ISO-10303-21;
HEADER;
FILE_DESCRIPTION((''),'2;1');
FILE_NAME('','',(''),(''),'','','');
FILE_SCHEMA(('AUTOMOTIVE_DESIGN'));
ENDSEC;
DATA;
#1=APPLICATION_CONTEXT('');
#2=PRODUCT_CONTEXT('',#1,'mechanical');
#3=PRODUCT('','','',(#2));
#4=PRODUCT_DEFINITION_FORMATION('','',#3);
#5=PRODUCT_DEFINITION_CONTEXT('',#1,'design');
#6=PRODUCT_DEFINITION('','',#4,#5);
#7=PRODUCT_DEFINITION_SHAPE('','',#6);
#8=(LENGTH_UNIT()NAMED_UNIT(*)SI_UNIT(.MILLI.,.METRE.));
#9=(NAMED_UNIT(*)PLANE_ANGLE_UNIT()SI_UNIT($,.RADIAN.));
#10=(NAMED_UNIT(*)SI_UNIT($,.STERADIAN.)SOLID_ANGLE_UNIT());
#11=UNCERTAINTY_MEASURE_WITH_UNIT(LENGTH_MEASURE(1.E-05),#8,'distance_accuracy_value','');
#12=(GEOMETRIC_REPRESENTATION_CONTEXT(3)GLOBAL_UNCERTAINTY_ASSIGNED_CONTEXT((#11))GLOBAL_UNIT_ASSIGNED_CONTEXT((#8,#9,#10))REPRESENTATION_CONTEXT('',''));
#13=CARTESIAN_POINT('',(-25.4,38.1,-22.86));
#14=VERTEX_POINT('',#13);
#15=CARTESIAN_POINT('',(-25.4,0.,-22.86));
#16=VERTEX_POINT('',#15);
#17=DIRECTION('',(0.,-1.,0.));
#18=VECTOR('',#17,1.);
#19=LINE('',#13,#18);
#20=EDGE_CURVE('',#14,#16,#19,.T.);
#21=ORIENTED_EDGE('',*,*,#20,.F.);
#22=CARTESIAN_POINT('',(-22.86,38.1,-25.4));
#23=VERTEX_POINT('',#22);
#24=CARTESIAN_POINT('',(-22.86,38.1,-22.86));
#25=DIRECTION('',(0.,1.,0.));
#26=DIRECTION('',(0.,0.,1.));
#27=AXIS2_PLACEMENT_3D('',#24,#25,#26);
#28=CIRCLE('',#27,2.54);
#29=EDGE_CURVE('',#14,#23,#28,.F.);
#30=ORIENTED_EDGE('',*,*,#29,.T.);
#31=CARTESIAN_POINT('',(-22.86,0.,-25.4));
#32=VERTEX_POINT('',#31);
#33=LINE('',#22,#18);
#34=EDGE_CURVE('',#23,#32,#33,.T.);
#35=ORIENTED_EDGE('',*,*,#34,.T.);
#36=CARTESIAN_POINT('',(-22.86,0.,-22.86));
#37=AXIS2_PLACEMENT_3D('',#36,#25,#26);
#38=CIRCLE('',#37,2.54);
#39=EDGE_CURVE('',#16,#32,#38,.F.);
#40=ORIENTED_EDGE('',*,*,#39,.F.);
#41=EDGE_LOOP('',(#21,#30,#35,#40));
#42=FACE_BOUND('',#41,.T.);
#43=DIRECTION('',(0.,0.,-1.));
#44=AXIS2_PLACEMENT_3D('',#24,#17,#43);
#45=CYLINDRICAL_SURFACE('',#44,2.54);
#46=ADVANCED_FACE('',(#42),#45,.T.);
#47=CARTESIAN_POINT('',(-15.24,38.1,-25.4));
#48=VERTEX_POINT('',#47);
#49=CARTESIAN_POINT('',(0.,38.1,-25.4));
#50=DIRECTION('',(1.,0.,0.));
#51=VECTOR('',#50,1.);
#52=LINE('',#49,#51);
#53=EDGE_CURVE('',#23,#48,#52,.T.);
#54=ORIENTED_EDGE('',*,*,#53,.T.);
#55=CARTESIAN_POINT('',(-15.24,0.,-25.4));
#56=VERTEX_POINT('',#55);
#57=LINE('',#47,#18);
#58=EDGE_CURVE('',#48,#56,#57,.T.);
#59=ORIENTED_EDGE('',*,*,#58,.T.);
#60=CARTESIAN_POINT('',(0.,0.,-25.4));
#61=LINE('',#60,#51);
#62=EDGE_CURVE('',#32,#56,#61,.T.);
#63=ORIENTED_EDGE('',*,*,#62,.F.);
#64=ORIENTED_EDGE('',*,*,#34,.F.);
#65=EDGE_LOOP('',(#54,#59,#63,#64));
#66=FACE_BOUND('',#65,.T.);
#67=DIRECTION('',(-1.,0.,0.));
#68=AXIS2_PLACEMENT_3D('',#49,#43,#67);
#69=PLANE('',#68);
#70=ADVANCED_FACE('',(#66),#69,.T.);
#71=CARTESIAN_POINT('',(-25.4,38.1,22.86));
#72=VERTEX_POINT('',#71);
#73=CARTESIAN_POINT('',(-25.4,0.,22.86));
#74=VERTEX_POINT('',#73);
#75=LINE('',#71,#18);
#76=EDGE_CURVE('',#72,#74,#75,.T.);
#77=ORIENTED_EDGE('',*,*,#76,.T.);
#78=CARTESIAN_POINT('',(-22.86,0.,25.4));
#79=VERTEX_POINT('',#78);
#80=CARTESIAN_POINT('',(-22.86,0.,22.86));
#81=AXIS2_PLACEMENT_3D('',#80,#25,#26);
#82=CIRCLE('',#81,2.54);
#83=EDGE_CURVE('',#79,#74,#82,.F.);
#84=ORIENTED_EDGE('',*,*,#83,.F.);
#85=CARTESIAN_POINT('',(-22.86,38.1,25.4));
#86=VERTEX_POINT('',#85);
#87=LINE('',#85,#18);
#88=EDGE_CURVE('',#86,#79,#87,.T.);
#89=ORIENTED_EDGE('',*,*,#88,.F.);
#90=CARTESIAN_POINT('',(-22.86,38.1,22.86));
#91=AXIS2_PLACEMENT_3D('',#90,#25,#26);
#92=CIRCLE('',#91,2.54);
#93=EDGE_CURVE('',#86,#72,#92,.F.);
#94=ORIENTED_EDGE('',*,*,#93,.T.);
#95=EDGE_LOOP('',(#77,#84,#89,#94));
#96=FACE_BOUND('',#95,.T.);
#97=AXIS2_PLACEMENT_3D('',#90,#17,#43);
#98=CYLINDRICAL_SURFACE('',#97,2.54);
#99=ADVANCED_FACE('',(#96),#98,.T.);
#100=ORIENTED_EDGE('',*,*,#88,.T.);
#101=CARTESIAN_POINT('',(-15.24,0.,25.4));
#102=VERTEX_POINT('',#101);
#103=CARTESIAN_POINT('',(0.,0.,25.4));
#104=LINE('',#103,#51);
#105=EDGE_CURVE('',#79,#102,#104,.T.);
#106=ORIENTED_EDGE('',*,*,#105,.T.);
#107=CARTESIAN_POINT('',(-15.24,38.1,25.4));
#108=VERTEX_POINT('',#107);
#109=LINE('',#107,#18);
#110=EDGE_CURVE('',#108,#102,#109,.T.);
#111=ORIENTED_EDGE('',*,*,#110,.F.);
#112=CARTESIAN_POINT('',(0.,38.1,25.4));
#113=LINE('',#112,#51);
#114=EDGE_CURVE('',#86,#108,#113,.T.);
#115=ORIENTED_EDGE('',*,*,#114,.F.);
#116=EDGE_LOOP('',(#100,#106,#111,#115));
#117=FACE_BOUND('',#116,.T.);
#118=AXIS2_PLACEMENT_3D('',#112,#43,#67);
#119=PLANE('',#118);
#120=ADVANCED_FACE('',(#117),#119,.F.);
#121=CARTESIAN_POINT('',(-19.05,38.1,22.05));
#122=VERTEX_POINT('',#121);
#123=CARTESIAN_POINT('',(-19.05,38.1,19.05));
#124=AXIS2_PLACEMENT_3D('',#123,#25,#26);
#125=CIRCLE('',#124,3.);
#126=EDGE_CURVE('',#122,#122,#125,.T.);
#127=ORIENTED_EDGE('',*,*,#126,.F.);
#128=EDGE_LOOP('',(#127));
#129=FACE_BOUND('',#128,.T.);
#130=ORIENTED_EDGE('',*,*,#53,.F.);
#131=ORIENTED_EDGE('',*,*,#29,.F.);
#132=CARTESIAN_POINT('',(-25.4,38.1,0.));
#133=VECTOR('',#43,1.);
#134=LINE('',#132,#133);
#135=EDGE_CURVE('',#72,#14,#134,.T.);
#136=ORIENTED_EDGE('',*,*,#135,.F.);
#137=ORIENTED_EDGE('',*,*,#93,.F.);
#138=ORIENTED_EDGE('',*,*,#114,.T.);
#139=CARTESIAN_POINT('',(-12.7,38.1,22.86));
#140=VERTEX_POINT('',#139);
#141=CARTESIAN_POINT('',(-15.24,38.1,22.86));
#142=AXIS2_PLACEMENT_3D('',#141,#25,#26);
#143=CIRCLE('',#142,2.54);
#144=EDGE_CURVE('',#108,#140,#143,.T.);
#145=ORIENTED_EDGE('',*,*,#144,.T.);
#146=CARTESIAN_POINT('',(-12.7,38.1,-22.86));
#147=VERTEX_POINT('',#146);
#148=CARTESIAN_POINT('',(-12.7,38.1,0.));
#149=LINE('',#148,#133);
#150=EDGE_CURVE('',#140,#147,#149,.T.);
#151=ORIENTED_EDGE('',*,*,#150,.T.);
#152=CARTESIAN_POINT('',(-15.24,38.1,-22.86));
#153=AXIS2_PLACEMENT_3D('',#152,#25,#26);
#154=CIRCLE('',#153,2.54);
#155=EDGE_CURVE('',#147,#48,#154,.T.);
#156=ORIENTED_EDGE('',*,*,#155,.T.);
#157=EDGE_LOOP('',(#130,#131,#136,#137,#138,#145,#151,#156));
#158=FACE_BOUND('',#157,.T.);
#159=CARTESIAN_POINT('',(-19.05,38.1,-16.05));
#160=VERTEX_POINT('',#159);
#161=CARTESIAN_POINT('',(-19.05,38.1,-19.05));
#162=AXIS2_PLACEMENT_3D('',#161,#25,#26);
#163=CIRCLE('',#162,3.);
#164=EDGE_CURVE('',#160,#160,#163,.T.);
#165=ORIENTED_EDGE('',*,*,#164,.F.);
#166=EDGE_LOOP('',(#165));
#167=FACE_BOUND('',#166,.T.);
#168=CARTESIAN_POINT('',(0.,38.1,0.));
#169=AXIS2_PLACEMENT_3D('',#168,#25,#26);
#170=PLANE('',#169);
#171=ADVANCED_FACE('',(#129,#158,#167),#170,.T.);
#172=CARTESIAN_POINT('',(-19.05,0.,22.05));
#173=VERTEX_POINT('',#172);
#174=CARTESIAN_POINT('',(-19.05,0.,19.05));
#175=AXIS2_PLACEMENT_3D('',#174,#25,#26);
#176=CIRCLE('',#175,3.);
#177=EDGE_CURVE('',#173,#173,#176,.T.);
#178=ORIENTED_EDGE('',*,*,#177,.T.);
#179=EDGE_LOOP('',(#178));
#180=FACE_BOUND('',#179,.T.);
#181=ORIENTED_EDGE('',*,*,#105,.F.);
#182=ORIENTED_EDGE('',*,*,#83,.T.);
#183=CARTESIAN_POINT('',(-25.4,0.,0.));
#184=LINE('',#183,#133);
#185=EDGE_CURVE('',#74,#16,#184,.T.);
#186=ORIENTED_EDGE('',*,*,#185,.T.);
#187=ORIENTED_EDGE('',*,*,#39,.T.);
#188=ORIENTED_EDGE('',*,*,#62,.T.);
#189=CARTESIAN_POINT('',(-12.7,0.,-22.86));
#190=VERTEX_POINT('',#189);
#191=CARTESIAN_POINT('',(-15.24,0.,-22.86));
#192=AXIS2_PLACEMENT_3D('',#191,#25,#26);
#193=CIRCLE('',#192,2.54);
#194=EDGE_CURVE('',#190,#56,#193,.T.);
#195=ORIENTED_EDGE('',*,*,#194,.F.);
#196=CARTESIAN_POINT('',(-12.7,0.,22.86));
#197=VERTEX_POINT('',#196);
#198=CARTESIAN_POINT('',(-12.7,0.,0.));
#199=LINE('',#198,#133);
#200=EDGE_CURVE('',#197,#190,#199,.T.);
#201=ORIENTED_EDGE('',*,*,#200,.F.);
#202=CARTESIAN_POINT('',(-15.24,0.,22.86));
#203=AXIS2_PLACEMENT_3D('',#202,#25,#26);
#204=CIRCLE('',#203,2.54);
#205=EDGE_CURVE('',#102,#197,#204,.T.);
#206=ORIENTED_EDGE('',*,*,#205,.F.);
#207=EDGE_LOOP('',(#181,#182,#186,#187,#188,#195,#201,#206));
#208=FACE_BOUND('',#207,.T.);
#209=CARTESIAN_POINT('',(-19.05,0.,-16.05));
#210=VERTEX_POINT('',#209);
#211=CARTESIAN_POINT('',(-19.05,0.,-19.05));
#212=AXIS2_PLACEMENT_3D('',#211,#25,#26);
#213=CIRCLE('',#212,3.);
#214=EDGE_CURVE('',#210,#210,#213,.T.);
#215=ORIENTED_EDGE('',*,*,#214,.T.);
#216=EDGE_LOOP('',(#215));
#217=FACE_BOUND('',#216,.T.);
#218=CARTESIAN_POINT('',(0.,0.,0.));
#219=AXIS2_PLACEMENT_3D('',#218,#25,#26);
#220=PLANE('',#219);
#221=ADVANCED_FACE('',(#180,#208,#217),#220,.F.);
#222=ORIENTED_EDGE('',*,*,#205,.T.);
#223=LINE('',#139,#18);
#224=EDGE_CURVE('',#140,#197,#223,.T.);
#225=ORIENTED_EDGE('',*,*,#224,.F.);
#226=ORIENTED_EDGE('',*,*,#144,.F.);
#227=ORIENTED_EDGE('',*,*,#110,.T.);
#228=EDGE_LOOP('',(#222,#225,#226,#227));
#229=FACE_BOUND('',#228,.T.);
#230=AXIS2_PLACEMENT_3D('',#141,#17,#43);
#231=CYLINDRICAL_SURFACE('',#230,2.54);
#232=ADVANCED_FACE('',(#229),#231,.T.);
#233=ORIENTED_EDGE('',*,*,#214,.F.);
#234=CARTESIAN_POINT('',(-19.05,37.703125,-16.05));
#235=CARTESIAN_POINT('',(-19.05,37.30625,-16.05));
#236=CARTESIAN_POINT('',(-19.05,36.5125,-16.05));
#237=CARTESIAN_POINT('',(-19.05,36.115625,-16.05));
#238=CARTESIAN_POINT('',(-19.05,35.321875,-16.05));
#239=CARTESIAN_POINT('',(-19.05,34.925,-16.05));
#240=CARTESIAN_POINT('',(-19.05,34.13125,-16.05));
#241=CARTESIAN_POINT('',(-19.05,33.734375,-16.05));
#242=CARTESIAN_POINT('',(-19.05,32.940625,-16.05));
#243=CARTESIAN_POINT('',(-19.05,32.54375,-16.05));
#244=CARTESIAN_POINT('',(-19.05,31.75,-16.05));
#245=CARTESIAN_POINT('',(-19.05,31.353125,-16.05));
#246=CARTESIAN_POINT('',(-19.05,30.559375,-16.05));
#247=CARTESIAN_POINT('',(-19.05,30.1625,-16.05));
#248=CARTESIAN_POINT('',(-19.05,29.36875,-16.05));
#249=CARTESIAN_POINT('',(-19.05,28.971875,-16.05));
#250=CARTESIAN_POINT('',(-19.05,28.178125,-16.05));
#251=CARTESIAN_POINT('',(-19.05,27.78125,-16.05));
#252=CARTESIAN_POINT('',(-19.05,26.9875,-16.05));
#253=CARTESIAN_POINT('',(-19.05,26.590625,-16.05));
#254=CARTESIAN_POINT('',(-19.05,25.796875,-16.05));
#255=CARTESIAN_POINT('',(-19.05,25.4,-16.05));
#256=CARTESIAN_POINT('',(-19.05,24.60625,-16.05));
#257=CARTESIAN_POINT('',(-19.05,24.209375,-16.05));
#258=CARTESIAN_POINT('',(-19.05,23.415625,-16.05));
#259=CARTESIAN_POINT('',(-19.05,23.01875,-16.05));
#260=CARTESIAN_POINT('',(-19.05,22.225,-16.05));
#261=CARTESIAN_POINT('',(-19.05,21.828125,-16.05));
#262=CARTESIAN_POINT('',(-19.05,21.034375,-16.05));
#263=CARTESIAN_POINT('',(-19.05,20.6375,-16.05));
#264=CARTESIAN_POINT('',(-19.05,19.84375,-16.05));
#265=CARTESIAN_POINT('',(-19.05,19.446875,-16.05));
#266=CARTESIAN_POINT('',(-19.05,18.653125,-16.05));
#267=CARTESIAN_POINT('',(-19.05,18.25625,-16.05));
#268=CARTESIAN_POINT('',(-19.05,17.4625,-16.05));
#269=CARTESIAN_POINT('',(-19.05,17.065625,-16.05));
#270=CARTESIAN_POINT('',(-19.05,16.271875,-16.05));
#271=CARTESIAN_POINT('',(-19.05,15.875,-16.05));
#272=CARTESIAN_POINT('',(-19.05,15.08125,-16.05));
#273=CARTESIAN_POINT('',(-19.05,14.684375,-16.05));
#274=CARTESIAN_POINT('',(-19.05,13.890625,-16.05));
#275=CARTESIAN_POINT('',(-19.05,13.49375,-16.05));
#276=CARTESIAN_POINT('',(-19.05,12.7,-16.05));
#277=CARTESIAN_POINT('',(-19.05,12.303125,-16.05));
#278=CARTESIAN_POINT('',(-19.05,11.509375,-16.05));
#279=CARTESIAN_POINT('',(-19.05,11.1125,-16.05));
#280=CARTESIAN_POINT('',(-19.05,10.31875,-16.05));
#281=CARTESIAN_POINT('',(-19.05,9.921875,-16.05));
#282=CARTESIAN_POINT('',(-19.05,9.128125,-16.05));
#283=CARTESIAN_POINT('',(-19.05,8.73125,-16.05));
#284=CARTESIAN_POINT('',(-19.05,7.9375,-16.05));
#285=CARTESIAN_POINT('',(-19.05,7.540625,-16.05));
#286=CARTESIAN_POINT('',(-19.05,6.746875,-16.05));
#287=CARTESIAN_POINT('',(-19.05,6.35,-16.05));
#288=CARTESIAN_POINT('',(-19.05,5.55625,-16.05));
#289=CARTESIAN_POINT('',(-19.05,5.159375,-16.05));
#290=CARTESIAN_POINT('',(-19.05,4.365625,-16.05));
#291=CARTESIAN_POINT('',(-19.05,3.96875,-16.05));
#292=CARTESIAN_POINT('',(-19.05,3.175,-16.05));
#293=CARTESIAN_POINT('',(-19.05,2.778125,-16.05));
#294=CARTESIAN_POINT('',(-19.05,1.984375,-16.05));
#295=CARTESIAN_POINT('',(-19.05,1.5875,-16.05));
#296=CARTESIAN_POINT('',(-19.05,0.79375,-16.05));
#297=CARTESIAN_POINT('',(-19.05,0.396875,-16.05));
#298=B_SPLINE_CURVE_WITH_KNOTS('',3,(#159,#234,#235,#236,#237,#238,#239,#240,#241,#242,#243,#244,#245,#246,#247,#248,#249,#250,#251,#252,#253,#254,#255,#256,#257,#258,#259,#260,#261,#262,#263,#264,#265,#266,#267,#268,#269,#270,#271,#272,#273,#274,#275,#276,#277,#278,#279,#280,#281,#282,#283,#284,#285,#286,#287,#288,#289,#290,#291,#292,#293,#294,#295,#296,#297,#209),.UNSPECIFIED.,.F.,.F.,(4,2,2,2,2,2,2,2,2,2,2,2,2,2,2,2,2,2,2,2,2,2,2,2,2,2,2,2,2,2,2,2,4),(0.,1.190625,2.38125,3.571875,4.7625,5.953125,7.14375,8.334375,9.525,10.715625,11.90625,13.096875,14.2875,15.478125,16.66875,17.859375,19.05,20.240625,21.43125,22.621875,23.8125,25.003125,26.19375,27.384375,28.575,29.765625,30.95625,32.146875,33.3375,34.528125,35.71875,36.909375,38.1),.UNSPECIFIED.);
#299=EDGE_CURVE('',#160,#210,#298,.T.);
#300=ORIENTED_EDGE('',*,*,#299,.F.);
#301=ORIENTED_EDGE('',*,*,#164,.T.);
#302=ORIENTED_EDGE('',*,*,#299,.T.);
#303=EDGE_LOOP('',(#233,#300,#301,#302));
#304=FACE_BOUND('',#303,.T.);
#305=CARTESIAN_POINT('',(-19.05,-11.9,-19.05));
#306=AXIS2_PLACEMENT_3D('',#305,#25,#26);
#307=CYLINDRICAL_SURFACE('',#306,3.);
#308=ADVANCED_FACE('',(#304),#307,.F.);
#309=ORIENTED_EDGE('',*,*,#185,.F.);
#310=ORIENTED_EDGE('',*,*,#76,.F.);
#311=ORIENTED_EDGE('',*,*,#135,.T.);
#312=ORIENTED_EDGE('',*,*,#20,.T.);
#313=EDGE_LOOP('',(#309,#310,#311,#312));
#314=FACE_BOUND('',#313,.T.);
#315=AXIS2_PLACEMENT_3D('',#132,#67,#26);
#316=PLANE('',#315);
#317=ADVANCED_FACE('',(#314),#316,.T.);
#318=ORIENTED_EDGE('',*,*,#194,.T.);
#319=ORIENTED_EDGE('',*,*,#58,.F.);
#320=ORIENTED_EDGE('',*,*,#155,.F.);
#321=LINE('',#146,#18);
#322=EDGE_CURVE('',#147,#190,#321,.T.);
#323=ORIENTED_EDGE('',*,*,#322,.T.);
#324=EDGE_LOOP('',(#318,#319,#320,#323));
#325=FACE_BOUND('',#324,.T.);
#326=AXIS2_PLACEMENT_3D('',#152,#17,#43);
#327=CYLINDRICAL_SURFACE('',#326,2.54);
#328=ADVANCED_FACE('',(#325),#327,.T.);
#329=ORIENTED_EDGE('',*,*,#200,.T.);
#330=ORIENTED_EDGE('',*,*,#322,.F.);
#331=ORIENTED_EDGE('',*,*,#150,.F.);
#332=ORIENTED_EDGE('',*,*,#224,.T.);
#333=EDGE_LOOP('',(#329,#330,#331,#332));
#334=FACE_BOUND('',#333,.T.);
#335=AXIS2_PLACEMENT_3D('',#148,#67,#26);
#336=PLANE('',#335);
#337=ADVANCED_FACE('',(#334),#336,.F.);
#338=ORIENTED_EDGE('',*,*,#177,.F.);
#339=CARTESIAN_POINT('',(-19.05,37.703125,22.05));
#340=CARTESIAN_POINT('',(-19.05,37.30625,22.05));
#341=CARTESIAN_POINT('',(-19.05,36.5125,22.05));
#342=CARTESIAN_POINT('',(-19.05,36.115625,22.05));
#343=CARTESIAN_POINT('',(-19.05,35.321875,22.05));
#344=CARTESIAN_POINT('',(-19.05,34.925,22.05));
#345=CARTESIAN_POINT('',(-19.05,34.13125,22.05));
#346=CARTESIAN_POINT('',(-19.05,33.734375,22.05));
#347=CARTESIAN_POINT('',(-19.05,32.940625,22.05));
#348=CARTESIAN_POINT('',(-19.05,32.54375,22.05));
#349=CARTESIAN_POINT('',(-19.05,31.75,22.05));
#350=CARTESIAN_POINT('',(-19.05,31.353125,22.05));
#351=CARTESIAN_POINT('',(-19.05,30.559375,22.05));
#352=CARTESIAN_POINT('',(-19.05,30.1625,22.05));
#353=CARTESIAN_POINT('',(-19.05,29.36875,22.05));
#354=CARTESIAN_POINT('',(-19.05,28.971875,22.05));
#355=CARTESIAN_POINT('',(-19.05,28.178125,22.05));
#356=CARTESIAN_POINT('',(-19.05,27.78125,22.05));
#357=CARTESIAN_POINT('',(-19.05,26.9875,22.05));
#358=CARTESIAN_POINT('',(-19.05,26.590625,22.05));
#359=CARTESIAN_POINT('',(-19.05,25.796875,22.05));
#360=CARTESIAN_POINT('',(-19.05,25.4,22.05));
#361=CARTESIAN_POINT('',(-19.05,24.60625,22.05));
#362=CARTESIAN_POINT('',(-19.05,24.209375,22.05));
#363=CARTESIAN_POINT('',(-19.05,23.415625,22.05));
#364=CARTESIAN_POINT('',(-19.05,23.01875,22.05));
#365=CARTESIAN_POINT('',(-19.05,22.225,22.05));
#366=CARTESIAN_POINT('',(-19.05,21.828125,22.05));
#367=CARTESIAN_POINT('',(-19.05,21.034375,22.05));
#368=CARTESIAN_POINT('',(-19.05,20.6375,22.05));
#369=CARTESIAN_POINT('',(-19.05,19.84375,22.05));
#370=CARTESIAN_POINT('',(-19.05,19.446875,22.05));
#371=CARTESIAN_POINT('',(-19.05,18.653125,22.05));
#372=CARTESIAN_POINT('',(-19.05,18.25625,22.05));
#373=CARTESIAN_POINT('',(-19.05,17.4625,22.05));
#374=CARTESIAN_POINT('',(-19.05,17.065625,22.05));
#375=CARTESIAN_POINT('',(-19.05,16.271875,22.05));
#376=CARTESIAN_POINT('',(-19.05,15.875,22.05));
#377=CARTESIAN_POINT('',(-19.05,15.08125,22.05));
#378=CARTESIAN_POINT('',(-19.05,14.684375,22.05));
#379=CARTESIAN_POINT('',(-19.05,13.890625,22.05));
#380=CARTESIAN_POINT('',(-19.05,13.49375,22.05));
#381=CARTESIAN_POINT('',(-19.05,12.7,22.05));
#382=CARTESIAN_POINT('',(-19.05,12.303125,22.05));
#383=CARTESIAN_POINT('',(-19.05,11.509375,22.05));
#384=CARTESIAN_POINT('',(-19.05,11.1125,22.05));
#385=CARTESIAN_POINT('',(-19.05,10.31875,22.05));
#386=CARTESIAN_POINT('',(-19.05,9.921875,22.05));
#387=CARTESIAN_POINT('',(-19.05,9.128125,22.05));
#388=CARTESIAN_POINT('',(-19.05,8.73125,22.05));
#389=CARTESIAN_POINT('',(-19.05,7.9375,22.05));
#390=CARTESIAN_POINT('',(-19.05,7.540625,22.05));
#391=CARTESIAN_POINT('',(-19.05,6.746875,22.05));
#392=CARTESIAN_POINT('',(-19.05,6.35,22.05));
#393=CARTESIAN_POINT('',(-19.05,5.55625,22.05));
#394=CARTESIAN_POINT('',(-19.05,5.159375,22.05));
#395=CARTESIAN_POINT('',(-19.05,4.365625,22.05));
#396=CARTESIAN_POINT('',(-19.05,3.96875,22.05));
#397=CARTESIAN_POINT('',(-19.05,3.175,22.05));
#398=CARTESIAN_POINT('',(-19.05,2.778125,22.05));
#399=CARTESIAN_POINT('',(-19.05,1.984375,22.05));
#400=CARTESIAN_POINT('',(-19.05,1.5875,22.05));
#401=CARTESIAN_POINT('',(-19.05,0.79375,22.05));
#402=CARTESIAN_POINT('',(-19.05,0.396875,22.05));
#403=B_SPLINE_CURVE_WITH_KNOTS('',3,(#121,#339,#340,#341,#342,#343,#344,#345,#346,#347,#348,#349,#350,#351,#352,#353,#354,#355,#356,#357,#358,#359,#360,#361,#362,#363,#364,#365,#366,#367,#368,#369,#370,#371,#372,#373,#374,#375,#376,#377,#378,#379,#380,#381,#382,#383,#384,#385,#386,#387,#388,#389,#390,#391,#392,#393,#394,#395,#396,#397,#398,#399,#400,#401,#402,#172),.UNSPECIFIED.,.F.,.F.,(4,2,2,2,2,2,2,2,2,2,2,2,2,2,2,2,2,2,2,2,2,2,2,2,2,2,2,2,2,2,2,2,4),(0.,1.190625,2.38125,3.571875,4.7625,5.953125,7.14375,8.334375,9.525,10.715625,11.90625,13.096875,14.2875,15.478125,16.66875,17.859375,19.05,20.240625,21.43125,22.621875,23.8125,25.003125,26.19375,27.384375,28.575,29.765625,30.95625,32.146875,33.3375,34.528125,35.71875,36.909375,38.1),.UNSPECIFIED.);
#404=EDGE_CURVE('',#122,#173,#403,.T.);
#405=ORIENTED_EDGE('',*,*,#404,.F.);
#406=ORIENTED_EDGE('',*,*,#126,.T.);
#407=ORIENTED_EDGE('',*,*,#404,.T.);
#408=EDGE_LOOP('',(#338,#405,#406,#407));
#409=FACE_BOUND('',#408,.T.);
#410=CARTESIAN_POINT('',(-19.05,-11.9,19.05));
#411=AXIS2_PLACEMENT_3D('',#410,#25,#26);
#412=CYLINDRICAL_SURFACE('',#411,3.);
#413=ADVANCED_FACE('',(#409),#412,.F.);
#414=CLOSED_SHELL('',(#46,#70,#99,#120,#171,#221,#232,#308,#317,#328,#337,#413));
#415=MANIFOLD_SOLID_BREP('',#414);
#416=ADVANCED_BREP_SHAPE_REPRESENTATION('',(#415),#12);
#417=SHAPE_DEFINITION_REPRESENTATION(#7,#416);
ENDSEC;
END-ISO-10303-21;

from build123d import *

# Parameters (mm, degrees)
SKETCH2_R           = 2.05
BOSS_EXTRUDE1_DEPTH = 38.1
SKETCH3_R           = 3
CUT_EXTRUDE1_DEPTH  = 50


with BuildPart() as part:
    # Sketch2 → Boss-Extrude1 (new body)
    with BuildSketch(Plane(origin=(0, 0, 0), x_dir=(1, 0, 0), z_dir=(0, 1, 0))):
        with BuildLine():
            ThreePointArc((-25.4, -22.86), (-24.656051224, -24.656051224), (-22.86, -25.4))
            Line((-22.86, -25.4), (-15.24, -25.4))
            ThreePointArc((-15.24, -25.4), (-13.443948776, -24.656051224), (-12.7, -22.86))
            Line((-12.7, -22.86), (-12.7, 22.86))
            ThreePointArc((-12.7, 22.86), (-13.443948776, 24.656051224), (-15.24, 25.4))
            Line((-15.24, 25.4), (-19.05, 25.4))
            Line((-19.05, 25.4), (-22.86, 25.4))
            ThreePointArc((-22.86, 25.4), (-24.656051224, 24.656051224), (-25.4, 22.86))
            Line((-25.4, 22.86), (-25.4, 19.05))
            Line((-25.4, 19.05), (-25.4, -22.86))
        make_face()
        with Locations(Location((-19.05, -19.05, 0), (0, 0, 90))):
            Circle(SKETCH2_R, mode=Mode.SUBTRACT)
        with Locations(Location((-19.05, 19.05, 0), (0, 0, 90))):
            Circle(SKETCH2_R, mode=Mode.SUBTRACT)
    extrude(amount=BOSS_EXTRUDE1_DEPTH)

    # Sketch3 → Cut-Extrude1 (cut)
    with BuildSketch(Plane(origin=(0, 38.1, 0), x_dir=(1, 0, 0), z_dir=(0, 1, 0))):
        with Locations(Location((-19.05, 19.05, 0), (0, 0, 270))):
            Circle(SKETCH3_R)
        with Locations(Location((-19.05, -19.05, 0), (0, 0, 270))):
            Circle(SKETCH3_R)
    extrude(amount=-CUT_EXTRUDE1_DEPTH, mode=Mode.SUBTRACT)


solid = part.part
